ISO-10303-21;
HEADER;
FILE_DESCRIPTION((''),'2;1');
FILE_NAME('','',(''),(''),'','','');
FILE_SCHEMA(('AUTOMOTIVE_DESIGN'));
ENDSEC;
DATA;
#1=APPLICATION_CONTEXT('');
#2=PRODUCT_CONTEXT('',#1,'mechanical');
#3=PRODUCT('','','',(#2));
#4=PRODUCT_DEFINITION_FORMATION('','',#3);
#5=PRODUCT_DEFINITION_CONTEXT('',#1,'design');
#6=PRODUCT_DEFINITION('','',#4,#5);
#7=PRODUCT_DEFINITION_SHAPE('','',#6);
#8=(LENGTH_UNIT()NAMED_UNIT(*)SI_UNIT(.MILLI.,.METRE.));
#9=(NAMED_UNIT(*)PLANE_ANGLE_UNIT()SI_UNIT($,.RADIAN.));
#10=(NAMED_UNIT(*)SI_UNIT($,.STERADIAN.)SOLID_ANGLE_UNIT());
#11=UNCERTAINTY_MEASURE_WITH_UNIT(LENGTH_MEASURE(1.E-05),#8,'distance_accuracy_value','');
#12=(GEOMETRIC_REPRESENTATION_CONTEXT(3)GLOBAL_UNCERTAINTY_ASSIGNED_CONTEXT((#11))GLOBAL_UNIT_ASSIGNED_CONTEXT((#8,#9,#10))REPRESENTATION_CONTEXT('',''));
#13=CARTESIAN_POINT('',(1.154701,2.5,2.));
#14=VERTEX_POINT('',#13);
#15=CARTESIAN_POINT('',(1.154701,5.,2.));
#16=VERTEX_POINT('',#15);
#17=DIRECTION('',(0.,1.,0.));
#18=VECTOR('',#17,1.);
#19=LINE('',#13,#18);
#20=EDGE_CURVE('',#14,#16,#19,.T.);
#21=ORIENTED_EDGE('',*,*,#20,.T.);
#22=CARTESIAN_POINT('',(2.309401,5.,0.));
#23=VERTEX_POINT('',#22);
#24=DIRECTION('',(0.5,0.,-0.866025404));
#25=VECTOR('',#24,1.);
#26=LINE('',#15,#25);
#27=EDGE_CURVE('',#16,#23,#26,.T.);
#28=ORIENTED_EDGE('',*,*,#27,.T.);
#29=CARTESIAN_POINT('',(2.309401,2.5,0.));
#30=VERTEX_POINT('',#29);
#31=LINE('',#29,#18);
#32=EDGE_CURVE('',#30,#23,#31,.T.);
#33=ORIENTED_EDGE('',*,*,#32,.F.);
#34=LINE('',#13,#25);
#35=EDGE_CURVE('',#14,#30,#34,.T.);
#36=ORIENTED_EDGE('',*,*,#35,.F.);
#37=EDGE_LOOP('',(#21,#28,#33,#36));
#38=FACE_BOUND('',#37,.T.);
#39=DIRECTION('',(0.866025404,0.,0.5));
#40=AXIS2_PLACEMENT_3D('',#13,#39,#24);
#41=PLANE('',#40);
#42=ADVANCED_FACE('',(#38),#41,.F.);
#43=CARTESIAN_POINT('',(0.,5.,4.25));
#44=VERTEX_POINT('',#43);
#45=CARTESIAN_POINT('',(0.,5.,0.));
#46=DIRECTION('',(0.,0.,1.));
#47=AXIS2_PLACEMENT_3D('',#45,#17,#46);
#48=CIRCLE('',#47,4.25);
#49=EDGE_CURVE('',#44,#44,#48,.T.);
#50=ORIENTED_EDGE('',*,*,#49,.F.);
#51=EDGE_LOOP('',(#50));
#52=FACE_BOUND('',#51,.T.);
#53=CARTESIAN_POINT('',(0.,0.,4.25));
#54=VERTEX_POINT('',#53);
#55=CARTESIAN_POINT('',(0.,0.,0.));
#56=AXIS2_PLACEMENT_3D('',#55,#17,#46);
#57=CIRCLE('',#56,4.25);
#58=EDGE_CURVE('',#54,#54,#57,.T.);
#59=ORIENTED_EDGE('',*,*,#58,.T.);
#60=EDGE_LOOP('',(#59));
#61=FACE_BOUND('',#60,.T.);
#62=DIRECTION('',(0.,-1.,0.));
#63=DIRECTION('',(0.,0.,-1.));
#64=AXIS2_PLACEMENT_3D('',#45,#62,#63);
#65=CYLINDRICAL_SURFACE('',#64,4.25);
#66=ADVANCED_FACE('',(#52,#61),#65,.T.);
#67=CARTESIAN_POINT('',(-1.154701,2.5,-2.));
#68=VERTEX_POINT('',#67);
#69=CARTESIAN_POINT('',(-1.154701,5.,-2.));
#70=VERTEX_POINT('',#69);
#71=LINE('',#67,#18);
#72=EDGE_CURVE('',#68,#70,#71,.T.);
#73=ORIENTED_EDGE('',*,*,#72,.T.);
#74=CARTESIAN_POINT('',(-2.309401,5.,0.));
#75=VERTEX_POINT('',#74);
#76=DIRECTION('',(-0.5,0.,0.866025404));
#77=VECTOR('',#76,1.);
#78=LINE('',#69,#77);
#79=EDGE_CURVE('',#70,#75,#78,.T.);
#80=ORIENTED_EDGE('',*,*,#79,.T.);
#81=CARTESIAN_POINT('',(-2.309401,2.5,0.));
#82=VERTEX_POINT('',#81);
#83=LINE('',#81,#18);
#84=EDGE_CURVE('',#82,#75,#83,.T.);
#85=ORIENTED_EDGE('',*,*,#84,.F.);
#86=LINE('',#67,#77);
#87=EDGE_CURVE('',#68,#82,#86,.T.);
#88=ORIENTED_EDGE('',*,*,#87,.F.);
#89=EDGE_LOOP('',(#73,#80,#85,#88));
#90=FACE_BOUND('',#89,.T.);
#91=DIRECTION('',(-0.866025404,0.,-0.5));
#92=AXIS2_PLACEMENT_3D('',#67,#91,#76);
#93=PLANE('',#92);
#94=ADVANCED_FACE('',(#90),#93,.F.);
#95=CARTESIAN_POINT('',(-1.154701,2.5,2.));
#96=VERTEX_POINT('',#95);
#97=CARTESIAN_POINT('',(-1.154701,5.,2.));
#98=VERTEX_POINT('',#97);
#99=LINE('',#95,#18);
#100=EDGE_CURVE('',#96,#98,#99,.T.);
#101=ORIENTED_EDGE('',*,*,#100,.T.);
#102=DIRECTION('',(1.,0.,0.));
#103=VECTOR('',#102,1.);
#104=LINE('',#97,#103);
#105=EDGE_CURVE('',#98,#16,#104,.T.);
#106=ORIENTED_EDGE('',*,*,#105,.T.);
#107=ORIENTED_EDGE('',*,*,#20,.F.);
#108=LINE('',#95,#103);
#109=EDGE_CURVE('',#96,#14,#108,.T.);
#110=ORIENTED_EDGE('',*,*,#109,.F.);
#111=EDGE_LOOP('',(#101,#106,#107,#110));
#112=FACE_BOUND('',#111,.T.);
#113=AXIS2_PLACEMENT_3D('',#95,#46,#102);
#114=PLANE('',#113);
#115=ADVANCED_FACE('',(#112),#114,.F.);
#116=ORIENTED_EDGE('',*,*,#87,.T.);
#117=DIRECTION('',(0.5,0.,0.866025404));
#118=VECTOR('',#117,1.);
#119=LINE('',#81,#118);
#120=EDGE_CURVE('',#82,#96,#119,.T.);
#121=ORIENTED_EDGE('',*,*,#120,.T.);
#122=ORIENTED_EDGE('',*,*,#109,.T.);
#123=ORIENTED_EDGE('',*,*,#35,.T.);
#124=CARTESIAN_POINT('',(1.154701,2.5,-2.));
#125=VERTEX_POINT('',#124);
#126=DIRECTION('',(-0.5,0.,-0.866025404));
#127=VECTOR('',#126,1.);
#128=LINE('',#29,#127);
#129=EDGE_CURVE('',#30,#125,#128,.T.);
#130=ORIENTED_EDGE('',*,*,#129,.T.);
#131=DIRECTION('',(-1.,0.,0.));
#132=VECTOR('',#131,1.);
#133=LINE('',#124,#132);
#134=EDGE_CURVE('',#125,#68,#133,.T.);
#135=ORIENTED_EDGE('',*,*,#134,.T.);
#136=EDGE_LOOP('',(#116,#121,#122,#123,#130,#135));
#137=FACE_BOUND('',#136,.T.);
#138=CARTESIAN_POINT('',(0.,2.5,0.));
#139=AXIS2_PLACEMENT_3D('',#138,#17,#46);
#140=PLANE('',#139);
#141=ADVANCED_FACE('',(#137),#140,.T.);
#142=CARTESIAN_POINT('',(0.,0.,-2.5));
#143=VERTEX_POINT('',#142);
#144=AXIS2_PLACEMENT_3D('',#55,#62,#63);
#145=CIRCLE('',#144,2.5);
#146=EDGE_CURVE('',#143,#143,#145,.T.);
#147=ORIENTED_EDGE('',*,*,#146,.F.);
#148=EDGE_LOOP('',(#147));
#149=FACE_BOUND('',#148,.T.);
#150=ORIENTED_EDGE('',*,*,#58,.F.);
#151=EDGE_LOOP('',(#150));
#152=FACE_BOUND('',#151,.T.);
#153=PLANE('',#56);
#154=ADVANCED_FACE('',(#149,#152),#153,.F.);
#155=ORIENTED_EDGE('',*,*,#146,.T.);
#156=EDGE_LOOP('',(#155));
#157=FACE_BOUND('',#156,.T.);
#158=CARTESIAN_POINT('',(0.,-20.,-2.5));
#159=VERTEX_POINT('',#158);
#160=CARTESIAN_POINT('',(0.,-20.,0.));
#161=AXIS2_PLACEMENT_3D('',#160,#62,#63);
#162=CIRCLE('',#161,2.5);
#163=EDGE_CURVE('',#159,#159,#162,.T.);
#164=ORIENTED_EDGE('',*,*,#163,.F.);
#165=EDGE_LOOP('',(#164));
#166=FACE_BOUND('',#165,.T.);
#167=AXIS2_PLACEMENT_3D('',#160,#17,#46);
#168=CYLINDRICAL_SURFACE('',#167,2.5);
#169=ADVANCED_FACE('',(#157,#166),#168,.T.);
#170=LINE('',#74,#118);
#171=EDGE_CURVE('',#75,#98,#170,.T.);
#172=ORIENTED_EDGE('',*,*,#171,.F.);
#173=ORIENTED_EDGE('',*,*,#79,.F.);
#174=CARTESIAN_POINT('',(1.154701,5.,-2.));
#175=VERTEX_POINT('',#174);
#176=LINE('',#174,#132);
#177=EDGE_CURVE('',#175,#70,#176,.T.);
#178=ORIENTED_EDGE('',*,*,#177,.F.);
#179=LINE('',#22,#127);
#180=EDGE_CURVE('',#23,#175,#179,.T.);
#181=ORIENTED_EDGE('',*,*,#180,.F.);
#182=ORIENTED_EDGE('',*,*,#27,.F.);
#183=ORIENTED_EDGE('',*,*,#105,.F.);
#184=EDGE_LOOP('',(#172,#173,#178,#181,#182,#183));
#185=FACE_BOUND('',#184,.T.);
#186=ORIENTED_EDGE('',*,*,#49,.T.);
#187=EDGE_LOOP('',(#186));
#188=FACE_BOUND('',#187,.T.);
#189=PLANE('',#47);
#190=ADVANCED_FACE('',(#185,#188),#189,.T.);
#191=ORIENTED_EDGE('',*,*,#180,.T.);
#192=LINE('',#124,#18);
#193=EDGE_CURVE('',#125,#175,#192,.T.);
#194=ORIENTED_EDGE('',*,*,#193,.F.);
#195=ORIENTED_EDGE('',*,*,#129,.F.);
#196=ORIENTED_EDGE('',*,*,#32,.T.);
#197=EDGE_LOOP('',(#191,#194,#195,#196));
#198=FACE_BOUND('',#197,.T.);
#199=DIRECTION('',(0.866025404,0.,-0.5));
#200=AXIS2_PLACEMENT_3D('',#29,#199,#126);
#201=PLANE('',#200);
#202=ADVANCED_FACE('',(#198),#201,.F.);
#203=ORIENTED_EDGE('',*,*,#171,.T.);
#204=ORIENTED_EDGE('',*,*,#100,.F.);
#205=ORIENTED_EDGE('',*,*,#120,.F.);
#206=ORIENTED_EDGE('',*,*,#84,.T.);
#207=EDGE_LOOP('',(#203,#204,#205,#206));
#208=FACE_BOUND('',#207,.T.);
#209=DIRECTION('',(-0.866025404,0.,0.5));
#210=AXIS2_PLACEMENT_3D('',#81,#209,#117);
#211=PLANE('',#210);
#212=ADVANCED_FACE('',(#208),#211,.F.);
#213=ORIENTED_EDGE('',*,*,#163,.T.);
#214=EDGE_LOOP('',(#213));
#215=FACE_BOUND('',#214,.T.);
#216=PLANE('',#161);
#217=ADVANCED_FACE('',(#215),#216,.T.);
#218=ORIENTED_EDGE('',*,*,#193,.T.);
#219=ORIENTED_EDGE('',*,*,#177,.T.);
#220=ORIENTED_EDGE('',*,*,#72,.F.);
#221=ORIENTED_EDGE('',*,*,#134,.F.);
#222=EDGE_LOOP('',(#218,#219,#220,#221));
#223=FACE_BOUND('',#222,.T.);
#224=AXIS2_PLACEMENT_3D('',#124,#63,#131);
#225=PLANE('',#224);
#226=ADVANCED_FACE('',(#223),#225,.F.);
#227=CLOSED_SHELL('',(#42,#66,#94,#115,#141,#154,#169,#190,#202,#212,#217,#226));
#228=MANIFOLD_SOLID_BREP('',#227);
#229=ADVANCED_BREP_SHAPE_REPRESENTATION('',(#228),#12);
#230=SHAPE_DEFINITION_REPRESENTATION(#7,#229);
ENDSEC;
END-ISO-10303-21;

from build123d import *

# Parameters (mm, degrees)
SKETCH_1_R          = 4.25
EXTRUDE_1_DEPTH     = 5
CUT_EXTRUDE_1_DEPTH = 2.5
SKETCH_3_R          = 2.5
EXTRUDE_2_DEPTH     = 20


with BuildPart() as part:
    # 草图1 → 凸台-拉伸1 (new body)
    with BuildSketch(Plane(origin=(0, 0, 0), x_dir=(1, 0, 0), z_dir=(0, 1, 0))):
        Circle(SKETCH_1_R)
    extrude(amount=EXTRUDE_1_DEPTH)

    # 草图2 → 切除-拉伸1 (cut)
    with BuildSketch(Plane(origin=(0, 5, 0), x_dir=(1, 0, 0), z_dir=(0, 1, 0))):
        Polygon((2.309401077, 0), (1.154700538, 2), (-1.154700538, 2), (-2.309401077, 0), (-1.154700538, -2), (1.154700538, -2), align=None)
    extrude(amount=-CUT_EXTRUDE_1_DEPTH, mode=Mode.SUBTRACT)

    # 草图3 → 凸台-拉伸2 (add)
    with BuildSketch(Plane.XZ):
        Circle(SKETCH_3_R)
    extrude(amount=EXTRUDE_2_DEPTH)


solid = part.part
